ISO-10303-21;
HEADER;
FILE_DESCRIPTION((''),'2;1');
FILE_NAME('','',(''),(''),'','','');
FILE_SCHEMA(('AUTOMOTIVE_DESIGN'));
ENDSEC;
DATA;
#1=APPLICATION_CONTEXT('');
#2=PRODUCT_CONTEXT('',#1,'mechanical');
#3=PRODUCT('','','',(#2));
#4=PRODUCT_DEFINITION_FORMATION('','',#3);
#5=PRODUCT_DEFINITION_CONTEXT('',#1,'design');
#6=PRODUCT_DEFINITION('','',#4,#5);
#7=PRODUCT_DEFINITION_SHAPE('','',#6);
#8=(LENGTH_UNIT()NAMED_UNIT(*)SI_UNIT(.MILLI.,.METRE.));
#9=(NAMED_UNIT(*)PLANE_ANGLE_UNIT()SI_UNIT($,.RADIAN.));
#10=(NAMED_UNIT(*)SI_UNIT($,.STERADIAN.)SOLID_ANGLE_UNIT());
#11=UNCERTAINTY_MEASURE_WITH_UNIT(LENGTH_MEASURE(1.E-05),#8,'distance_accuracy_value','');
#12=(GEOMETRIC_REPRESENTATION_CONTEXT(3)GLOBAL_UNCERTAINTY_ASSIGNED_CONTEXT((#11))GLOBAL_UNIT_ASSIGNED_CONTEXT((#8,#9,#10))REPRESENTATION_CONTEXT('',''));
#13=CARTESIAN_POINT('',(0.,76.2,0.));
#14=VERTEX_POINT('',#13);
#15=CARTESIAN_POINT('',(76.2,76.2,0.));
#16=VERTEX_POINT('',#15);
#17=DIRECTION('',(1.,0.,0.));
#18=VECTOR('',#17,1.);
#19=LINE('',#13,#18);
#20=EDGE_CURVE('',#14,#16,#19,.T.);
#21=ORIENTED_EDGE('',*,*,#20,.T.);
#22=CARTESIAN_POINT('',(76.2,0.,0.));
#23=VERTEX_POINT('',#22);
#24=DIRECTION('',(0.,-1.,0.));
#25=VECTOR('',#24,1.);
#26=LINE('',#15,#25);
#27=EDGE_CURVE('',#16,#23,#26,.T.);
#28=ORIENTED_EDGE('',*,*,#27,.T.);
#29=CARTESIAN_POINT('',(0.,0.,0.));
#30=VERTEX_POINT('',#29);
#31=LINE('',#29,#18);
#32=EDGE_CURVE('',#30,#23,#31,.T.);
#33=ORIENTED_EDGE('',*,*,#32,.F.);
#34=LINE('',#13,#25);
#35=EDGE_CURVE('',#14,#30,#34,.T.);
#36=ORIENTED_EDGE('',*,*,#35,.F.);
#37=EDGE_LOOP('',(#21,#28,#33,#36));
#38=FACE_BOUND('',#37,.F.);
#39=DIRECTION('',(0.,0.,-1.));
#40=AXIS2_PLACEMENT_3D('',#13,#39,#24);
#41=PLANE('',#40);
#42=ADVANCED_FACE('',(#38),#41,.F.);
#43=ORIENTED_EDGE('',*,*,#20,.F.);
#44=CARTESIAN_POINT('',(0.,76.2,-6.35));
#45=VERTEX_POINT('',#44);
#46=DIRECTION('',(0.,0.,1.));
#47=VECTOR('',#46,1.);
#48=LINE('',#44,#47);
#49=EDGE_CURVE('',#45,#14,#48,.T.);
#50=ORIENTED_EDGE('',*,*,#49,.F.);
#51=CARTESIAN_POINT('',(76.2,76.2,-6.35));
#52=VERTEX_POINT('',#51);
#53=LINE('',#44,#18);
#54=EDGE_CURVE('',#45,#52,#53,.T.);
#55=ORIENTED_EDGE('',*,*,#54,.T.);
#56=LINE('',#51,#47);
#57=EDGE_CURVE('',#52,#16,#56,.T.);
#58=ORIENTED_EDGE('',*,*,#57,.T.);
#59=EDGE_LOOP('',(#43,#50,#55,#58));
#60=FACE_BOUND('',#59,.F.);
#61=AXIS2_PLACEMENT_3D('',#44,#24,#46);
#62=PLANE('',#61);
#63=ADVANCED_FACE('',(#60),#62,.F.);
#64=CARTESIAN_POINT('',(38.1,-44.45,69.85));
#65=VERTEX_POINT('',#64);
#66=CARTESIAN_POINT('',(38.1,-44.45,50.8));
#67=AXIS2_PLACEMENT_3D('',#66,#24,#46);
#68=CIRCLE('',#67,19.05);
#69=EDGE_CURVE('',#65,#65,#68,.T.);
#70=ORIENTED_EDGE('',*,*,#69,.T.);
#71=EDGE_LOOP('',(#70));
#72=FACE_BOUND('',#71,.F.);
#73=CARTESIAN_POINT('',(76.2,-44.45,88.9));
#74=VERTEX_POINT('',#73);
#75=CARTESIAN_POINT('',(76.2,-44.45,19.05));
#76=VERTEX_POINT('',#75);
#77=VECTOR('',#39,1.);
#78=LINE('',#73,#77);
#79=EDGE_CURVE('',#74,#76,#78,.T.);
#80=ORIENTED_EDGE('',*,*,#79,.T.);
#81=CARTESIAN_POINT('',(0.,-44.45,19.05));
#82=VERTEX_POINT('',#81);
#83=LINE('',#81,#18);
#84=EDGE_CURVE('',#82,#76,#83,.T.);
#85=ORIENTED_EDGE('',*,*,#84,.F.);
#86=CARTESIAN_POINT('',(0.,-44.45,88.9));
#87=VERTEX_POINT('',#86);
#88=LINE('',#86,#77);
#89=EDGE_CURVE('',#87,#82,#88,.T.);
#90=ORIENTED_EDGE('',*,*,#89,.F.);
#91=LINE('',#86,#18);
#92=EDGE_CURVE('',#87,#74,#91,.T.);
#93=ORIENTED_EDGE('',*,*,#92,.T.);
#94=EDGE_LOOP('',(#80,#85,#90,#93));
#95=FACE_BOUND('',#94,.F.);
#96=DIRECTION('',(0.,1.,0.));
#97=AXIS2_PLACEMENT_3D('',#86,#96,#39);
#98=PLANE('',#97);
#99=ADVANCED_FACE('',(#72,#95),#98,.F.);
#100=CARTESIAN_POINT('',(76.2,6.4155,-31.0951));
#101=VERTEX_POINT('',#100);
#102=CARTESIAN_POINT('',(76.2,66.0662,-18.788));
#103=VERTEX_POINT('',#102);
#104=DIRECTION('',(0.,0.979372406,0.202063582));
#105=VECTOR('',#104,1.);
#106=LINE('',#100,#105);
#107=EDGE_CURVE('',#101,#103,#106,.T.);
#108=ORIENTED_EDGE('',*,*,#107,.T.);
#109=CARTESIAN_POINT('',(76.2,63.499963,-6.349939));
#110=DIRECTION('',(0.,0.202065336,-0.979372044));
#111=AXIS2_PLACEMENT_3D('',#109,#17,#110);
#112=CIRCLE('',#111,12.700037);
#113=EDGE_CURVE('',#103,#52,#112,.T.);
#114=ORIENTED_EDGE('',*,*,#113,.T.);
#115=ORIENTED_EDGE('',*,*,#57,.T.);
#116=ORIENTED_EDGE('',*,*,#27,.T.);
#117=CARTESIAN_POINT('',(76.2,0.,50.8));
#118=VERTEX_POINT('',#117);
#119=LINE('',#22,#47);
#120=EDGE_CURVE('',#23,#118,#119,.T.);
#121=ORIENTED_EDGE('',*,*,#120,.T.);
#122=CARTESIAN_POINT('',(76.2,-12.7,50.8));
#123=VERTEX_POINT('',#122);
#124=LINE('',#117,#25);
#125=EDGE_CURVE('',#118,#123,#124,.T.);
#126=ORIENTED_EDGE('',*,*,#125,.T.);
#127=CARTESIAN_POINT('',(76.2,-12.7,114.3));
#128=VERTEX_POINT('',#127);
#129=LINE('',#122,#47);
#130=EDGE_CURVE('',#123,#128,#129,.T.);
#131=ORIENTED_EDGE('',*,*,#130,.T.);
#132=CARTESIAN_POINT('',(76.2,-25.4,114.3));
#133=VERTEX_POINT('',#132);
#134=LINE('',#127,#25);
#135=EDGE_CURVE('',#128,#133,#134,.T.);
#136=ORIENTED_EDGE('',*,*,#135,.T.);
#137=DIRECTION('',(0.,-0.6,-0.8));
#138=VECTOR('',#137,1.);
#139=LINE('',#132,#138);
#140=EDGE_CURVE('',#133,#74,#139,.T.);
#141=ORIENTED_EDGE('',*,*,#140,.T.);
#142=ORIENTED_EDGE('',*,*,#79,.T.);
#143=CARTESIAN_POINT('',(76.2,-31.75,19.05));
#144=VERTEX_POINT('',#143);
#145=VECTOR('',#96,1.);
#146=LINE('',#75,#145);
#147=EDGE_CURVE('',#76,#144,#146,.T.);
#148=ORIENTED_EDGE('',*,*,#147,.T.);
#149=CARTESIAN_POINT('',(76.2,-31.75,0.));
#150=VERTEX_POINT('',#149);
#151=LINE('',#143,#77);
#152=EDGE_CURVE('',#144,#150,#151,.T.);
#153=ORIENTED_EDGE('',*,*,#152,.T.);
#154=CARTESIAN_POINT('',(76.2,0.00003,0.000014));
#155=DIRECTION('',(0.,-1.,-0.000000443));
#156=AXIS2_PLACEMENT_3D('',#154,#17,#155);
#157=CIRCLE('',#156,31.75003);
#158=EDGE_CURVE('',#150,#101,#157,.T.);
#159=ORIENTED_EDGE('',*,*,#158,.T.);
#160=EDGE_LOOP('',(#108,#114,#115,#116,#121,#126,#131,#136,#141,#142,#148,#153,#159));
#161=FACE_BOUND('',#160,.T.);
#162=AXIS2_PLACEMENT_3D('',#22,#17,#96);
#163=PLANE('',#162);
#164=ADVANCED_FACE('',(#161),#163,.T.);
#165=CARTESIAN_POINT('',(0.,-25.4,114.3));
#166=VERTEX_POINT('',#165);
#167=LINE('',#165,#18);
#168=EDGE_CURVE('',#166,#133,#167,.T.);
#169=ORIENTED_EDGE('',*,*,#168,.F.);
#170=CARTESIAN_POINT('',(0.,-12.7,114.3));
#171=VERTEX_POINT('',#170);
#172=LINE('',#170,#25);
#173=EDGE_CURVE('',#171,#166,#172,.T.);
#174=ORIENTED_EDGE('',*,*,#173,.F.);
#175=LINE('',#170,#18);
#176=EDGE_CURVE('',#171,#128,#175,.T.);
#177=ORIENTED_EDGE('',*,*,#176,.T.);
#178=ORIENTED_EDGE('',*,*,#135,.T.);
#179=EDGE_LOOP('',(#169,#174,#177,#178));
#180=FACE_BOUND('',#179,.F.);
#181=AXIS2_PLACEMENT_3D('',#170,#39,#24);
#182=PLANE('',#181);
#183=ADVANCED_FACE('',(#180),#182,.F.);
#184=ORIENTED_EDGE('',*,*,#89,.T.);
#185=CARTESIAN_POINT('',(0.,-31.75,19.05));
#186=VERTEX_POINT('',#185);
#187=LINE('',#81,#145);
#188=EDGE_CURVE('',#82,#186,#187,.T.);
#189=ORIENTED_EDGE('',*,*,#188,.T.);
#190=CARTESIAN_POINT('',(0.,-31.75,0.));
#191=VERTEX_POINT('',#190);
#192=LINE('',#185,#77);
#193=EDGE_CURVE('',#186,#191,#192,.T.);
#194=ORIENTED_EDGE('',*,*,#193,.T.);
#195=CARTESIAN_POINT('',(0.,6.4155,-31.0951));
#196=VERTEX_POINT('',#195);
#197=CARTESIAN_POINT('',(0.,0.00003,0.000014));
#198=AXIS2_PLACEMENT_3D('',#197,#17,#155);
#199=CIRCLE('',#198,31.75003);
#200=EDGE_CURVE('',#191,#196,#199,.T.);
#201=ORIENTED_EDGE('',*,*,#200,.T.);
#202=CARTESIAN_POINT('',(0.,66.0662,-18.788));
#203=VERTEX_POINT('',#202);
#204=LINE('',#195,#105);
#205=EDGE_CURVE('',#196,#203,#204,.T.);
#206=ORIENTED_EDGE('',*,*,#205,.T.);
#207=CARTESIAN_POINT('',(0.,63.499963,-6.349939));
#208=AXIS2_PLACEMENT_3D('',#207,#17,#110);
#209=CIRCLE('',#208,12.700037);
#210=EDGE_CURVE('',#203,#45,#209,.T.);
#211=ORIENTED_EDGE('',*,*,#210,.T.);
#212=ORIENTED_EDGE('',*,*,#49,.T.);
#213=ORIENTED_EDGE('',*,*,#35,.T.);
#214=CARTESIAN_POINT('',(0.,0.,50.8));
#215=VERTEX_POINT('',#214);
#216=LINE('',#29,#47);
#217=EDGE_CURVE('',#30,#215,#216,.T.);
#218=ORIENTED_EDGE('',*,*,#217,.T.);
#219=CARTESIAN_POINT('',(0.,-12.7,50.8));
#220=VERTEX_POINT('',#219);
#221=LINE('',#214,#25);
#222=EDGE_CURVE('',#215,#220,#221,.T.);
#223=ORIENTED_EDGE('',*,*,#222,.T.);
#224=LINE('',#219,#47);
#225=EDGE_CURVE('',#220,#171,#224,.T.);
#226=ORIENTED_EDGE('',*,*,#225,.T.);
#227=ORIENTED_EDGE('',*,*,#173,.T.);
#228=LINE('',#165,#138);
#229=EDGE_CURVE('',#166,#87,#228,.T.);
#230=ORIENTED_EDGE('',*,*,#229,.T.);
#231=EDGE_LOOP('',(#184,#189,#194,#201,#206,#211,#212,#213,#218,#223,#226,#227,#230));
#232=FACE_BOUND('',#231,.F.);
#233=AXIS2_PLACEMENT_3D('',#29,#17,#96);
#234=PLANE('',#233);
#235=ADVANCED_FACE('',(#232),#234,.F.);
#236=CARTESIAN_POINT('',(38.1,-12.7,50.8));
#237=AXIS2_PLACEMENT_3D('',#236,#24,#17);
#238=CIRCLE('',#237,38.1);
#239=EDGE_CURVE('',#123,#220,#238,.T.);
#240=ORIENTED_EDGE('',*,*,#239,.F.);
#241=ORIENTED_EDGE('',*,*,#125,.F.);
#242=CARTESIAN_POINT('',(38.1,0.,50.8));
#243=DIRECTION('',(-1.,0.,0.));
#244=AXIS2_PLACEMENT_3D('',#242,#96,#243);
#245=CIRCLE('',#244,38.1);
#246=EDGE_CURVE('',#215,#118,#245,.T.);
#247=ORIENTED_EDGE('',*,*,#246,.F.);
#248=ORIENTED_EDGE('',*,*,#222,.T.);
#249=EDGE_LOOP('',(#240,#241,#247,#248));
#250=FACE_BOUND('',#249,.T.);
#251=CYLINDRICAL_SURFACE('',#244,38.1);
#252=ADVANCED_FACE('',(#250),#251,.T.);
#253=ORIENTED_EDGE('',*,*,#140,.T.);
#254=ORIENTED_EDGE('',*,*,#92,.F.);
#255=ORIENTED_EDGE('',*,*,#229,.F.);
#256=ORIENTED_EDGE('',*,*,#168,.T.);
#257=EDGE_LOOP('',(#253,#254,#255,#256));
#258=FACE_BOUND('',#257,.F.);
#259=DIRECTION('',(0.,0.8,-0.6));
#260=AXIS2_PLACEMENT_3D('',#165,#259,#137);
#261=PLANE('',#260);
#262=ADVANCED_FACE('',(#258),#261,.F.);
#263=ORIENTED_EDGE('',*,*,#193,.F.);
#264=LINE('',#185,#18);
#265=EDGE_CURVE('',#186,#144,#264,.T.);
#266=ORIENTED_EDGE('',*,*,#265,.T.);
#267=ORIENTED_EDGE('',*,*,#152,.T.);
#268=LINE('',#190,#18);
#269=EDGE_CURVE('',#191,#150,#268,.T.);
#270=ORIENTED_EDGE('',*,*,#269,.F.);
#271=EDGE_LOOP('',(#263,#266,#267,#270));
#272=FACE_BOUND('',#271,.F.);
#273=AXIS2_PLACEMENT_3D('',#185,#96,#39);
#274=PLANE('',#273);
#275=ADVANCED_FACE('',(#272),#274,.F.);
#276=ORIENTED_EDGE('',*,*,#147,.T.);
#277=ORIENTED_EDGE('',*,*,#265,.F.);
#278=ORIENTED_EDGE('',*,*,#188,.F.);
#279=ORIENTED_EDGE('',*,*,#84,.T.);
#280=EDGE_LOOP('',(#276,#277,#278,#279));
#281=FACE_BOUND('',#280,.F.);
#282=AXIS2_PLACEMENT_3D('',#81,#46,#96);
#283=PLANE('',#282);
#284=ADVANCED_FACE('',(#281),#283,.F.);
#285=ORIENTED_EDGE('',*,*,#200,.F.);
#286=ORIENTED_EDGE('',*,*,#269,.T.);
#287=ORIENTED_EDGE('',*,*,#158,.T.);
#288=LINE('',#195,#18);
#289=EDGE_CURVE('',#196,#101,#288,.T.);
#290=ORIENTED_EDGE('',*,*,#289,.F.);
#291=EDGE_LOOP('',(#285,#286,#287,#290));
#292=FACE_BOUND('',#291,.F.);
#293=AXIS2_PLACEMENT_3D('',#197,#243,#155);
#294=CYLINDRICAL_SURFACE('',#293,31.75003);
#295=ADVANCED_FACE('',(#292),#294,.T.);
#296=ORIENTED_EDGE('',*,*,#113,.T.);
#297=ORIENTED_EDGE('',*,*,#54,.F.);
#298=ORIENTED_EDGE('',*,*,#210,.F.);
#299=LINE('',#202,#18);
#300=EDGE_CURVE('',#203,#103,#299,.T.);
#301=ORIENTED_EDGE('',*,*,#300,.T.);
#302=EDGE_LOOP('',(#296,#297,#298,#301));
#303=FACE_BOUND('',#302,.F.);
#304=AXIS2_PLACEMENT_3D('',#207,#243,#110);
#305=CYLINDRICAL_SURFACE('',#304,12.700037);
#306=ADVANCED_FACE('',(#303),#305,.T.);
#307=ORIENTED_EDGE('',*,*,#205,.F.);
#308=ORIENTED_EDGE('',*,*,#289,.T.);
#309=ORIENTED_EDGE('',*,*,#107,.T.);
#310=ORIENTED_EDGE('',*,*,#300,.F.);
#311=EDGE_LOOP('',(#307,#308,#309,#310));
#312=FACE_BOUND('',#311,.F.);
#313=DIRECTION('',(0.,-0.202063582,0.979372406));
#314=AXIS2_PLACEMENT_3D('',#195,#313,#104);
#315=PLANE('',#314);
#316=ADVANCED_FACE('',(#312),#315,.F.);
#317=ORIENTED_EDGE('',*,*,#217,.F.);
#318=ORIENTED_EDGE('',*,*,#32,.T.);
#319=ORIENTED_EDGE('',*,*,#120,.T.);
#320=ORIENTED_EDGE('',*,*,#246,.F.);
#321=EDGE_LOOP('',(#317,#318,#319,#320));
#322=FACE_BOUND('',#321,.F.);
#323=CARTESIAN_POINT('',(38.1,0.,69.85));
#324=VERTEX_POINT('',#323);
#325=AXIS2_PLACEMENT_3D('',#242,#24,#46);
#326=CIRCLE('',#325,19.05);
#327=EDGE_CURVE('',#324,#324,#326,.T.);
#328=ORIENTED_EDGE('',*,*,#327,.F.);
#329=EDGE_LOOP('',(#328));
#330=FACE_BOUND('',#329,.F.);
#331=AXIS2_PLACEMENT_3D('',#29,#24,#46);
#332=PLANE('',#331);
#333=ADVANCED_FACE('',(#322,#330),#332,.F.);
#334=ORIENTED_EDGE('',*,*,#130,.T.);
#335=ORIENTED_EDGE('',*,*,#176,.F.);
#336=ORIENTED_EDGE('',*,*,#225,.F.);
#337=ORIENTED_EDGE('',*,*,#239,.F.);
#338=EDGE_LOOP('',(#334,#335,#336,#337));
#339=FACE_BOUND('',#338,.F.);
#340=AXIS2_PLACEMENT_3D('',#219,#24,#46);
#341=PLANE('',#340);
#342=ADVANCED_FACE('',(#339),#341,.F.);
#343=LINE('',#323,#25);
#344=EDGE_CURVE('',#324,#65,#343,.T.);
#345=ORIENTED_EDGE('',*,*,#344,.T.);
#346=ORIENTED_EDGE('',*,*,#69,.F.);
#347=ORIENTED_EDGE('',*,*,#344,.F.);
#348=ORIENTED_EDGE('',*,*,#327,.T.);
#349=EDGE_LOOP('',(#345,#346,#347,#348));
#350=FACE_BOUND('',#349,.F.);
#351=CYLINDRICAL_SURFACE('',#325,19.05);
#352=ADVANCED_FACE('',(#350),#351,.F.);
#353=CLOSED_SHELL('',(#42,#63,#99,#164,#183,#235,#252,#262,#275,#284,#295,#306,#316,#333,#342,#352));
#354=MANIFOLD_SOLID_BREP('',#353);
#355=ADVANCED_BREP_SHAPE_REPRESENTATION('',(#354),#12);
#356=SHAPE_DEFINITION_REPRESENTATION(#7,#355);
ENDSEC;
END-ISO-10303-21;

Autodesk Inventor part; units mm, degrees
ref_plane "YZ Plane" through (0, 0, 0) normal (1, 0, 0) x (0, 1, 0)
ref_plane "XZ Plane" through (0, 0, 0) normal (0, 1, 0) x (-1, 0, 0)
ref_plane "XY Plane" through (0, 0, 0) normal (0, 0, 1) x (1, 0, 0)
sketch "Sketch1" plane through (0, 0, 0) normal (1, 0, 0) x (0, 1, 0)
  line L0 (76.2, 0) -> (0, 0)
  line L1 (0, 0) -> (0, 50.8)
  line L2 (0, 50.8) -> (-12.7, 50.8)
  line L3 (-12.7, 50.8) -> (-12.7, 114.3)
  line L4 (-12.7, 114.3) -> (-25.4, 114.3)
  line L5 (-25.4, 114.3) -> (-44.45, 88.9)
  line L6 (-44.45, 88.9) -> (-44.45, 19.05)
  line L7 (-44.45, 19.05) -> (-31.75, 19.05)
  line L8 (-31.75, 19.05) -> (-31.75, 0)
  arc A0 (-31.75, 0) -> (6.4155, -31.0951) centre (0, 0) ccw
  line L9 (6.4155, -31.0951) -> (66.0662, -18.788)
  arc A1 (66.0662, -18.788) -> (76.2, -6.35) centre (63.5, -6.35) ccw
  line L10 (76.2, -6.35) -> (76.2, 0)
  dimension "d0" = 120.65
  dimension "d1" = 69.85
  dimension "d2" = 31.75
  dimension "d3" = 31.75
  dimension "d4" = 12.7
  dimension "d5" = 6.35
  dimension "d6" = 76.2
  dimension "d7" = 12.7
  dimension "d8" = 12.7
  dimension "d9" = 114.3
  dimension "d10" = 50.8
  dimension "d11" = 19.05
  dimension "d12" = 0
extrude "Extrusion1" add sketch "Sketch1" along normal blind 76.2
sketch "Sketch2" plane through (0, 0, 50.8) normal (0, 1, 0) x (1, 0, 0)
  line L0 (0, 0) -> (76.2, 0) projected
  line L1 (76.2, -38.1) -> (76.2, 31.75) projected
  arc A0 (0, 0) -> (76.2, 0) centre (38.1, 0) ccw
  line L2 (0, -38.1) -> (76.2, -38.1) projected
  point P0 (0, 50.8)
  dimension "d15" = 38.1
extrude "Extrusion2" add sketch "Sketch2" against normal up to surface (12.7 mm away) contours L0 A0
sketch "Sketch3" plane through (0, 0, 0) normal (0, 1, 0) x (1, 0, 0)
  arc A0 (0, -50.8) -> (76.2, -50.8) centre (38.1, -50.8) ccw projected
  point P0 (0, 0)
hole "Hole1" at (38.1, 0, 50.8) direction (0, -1, 0) diameter 38.1 end through all
properties part number "HangerJaw"
